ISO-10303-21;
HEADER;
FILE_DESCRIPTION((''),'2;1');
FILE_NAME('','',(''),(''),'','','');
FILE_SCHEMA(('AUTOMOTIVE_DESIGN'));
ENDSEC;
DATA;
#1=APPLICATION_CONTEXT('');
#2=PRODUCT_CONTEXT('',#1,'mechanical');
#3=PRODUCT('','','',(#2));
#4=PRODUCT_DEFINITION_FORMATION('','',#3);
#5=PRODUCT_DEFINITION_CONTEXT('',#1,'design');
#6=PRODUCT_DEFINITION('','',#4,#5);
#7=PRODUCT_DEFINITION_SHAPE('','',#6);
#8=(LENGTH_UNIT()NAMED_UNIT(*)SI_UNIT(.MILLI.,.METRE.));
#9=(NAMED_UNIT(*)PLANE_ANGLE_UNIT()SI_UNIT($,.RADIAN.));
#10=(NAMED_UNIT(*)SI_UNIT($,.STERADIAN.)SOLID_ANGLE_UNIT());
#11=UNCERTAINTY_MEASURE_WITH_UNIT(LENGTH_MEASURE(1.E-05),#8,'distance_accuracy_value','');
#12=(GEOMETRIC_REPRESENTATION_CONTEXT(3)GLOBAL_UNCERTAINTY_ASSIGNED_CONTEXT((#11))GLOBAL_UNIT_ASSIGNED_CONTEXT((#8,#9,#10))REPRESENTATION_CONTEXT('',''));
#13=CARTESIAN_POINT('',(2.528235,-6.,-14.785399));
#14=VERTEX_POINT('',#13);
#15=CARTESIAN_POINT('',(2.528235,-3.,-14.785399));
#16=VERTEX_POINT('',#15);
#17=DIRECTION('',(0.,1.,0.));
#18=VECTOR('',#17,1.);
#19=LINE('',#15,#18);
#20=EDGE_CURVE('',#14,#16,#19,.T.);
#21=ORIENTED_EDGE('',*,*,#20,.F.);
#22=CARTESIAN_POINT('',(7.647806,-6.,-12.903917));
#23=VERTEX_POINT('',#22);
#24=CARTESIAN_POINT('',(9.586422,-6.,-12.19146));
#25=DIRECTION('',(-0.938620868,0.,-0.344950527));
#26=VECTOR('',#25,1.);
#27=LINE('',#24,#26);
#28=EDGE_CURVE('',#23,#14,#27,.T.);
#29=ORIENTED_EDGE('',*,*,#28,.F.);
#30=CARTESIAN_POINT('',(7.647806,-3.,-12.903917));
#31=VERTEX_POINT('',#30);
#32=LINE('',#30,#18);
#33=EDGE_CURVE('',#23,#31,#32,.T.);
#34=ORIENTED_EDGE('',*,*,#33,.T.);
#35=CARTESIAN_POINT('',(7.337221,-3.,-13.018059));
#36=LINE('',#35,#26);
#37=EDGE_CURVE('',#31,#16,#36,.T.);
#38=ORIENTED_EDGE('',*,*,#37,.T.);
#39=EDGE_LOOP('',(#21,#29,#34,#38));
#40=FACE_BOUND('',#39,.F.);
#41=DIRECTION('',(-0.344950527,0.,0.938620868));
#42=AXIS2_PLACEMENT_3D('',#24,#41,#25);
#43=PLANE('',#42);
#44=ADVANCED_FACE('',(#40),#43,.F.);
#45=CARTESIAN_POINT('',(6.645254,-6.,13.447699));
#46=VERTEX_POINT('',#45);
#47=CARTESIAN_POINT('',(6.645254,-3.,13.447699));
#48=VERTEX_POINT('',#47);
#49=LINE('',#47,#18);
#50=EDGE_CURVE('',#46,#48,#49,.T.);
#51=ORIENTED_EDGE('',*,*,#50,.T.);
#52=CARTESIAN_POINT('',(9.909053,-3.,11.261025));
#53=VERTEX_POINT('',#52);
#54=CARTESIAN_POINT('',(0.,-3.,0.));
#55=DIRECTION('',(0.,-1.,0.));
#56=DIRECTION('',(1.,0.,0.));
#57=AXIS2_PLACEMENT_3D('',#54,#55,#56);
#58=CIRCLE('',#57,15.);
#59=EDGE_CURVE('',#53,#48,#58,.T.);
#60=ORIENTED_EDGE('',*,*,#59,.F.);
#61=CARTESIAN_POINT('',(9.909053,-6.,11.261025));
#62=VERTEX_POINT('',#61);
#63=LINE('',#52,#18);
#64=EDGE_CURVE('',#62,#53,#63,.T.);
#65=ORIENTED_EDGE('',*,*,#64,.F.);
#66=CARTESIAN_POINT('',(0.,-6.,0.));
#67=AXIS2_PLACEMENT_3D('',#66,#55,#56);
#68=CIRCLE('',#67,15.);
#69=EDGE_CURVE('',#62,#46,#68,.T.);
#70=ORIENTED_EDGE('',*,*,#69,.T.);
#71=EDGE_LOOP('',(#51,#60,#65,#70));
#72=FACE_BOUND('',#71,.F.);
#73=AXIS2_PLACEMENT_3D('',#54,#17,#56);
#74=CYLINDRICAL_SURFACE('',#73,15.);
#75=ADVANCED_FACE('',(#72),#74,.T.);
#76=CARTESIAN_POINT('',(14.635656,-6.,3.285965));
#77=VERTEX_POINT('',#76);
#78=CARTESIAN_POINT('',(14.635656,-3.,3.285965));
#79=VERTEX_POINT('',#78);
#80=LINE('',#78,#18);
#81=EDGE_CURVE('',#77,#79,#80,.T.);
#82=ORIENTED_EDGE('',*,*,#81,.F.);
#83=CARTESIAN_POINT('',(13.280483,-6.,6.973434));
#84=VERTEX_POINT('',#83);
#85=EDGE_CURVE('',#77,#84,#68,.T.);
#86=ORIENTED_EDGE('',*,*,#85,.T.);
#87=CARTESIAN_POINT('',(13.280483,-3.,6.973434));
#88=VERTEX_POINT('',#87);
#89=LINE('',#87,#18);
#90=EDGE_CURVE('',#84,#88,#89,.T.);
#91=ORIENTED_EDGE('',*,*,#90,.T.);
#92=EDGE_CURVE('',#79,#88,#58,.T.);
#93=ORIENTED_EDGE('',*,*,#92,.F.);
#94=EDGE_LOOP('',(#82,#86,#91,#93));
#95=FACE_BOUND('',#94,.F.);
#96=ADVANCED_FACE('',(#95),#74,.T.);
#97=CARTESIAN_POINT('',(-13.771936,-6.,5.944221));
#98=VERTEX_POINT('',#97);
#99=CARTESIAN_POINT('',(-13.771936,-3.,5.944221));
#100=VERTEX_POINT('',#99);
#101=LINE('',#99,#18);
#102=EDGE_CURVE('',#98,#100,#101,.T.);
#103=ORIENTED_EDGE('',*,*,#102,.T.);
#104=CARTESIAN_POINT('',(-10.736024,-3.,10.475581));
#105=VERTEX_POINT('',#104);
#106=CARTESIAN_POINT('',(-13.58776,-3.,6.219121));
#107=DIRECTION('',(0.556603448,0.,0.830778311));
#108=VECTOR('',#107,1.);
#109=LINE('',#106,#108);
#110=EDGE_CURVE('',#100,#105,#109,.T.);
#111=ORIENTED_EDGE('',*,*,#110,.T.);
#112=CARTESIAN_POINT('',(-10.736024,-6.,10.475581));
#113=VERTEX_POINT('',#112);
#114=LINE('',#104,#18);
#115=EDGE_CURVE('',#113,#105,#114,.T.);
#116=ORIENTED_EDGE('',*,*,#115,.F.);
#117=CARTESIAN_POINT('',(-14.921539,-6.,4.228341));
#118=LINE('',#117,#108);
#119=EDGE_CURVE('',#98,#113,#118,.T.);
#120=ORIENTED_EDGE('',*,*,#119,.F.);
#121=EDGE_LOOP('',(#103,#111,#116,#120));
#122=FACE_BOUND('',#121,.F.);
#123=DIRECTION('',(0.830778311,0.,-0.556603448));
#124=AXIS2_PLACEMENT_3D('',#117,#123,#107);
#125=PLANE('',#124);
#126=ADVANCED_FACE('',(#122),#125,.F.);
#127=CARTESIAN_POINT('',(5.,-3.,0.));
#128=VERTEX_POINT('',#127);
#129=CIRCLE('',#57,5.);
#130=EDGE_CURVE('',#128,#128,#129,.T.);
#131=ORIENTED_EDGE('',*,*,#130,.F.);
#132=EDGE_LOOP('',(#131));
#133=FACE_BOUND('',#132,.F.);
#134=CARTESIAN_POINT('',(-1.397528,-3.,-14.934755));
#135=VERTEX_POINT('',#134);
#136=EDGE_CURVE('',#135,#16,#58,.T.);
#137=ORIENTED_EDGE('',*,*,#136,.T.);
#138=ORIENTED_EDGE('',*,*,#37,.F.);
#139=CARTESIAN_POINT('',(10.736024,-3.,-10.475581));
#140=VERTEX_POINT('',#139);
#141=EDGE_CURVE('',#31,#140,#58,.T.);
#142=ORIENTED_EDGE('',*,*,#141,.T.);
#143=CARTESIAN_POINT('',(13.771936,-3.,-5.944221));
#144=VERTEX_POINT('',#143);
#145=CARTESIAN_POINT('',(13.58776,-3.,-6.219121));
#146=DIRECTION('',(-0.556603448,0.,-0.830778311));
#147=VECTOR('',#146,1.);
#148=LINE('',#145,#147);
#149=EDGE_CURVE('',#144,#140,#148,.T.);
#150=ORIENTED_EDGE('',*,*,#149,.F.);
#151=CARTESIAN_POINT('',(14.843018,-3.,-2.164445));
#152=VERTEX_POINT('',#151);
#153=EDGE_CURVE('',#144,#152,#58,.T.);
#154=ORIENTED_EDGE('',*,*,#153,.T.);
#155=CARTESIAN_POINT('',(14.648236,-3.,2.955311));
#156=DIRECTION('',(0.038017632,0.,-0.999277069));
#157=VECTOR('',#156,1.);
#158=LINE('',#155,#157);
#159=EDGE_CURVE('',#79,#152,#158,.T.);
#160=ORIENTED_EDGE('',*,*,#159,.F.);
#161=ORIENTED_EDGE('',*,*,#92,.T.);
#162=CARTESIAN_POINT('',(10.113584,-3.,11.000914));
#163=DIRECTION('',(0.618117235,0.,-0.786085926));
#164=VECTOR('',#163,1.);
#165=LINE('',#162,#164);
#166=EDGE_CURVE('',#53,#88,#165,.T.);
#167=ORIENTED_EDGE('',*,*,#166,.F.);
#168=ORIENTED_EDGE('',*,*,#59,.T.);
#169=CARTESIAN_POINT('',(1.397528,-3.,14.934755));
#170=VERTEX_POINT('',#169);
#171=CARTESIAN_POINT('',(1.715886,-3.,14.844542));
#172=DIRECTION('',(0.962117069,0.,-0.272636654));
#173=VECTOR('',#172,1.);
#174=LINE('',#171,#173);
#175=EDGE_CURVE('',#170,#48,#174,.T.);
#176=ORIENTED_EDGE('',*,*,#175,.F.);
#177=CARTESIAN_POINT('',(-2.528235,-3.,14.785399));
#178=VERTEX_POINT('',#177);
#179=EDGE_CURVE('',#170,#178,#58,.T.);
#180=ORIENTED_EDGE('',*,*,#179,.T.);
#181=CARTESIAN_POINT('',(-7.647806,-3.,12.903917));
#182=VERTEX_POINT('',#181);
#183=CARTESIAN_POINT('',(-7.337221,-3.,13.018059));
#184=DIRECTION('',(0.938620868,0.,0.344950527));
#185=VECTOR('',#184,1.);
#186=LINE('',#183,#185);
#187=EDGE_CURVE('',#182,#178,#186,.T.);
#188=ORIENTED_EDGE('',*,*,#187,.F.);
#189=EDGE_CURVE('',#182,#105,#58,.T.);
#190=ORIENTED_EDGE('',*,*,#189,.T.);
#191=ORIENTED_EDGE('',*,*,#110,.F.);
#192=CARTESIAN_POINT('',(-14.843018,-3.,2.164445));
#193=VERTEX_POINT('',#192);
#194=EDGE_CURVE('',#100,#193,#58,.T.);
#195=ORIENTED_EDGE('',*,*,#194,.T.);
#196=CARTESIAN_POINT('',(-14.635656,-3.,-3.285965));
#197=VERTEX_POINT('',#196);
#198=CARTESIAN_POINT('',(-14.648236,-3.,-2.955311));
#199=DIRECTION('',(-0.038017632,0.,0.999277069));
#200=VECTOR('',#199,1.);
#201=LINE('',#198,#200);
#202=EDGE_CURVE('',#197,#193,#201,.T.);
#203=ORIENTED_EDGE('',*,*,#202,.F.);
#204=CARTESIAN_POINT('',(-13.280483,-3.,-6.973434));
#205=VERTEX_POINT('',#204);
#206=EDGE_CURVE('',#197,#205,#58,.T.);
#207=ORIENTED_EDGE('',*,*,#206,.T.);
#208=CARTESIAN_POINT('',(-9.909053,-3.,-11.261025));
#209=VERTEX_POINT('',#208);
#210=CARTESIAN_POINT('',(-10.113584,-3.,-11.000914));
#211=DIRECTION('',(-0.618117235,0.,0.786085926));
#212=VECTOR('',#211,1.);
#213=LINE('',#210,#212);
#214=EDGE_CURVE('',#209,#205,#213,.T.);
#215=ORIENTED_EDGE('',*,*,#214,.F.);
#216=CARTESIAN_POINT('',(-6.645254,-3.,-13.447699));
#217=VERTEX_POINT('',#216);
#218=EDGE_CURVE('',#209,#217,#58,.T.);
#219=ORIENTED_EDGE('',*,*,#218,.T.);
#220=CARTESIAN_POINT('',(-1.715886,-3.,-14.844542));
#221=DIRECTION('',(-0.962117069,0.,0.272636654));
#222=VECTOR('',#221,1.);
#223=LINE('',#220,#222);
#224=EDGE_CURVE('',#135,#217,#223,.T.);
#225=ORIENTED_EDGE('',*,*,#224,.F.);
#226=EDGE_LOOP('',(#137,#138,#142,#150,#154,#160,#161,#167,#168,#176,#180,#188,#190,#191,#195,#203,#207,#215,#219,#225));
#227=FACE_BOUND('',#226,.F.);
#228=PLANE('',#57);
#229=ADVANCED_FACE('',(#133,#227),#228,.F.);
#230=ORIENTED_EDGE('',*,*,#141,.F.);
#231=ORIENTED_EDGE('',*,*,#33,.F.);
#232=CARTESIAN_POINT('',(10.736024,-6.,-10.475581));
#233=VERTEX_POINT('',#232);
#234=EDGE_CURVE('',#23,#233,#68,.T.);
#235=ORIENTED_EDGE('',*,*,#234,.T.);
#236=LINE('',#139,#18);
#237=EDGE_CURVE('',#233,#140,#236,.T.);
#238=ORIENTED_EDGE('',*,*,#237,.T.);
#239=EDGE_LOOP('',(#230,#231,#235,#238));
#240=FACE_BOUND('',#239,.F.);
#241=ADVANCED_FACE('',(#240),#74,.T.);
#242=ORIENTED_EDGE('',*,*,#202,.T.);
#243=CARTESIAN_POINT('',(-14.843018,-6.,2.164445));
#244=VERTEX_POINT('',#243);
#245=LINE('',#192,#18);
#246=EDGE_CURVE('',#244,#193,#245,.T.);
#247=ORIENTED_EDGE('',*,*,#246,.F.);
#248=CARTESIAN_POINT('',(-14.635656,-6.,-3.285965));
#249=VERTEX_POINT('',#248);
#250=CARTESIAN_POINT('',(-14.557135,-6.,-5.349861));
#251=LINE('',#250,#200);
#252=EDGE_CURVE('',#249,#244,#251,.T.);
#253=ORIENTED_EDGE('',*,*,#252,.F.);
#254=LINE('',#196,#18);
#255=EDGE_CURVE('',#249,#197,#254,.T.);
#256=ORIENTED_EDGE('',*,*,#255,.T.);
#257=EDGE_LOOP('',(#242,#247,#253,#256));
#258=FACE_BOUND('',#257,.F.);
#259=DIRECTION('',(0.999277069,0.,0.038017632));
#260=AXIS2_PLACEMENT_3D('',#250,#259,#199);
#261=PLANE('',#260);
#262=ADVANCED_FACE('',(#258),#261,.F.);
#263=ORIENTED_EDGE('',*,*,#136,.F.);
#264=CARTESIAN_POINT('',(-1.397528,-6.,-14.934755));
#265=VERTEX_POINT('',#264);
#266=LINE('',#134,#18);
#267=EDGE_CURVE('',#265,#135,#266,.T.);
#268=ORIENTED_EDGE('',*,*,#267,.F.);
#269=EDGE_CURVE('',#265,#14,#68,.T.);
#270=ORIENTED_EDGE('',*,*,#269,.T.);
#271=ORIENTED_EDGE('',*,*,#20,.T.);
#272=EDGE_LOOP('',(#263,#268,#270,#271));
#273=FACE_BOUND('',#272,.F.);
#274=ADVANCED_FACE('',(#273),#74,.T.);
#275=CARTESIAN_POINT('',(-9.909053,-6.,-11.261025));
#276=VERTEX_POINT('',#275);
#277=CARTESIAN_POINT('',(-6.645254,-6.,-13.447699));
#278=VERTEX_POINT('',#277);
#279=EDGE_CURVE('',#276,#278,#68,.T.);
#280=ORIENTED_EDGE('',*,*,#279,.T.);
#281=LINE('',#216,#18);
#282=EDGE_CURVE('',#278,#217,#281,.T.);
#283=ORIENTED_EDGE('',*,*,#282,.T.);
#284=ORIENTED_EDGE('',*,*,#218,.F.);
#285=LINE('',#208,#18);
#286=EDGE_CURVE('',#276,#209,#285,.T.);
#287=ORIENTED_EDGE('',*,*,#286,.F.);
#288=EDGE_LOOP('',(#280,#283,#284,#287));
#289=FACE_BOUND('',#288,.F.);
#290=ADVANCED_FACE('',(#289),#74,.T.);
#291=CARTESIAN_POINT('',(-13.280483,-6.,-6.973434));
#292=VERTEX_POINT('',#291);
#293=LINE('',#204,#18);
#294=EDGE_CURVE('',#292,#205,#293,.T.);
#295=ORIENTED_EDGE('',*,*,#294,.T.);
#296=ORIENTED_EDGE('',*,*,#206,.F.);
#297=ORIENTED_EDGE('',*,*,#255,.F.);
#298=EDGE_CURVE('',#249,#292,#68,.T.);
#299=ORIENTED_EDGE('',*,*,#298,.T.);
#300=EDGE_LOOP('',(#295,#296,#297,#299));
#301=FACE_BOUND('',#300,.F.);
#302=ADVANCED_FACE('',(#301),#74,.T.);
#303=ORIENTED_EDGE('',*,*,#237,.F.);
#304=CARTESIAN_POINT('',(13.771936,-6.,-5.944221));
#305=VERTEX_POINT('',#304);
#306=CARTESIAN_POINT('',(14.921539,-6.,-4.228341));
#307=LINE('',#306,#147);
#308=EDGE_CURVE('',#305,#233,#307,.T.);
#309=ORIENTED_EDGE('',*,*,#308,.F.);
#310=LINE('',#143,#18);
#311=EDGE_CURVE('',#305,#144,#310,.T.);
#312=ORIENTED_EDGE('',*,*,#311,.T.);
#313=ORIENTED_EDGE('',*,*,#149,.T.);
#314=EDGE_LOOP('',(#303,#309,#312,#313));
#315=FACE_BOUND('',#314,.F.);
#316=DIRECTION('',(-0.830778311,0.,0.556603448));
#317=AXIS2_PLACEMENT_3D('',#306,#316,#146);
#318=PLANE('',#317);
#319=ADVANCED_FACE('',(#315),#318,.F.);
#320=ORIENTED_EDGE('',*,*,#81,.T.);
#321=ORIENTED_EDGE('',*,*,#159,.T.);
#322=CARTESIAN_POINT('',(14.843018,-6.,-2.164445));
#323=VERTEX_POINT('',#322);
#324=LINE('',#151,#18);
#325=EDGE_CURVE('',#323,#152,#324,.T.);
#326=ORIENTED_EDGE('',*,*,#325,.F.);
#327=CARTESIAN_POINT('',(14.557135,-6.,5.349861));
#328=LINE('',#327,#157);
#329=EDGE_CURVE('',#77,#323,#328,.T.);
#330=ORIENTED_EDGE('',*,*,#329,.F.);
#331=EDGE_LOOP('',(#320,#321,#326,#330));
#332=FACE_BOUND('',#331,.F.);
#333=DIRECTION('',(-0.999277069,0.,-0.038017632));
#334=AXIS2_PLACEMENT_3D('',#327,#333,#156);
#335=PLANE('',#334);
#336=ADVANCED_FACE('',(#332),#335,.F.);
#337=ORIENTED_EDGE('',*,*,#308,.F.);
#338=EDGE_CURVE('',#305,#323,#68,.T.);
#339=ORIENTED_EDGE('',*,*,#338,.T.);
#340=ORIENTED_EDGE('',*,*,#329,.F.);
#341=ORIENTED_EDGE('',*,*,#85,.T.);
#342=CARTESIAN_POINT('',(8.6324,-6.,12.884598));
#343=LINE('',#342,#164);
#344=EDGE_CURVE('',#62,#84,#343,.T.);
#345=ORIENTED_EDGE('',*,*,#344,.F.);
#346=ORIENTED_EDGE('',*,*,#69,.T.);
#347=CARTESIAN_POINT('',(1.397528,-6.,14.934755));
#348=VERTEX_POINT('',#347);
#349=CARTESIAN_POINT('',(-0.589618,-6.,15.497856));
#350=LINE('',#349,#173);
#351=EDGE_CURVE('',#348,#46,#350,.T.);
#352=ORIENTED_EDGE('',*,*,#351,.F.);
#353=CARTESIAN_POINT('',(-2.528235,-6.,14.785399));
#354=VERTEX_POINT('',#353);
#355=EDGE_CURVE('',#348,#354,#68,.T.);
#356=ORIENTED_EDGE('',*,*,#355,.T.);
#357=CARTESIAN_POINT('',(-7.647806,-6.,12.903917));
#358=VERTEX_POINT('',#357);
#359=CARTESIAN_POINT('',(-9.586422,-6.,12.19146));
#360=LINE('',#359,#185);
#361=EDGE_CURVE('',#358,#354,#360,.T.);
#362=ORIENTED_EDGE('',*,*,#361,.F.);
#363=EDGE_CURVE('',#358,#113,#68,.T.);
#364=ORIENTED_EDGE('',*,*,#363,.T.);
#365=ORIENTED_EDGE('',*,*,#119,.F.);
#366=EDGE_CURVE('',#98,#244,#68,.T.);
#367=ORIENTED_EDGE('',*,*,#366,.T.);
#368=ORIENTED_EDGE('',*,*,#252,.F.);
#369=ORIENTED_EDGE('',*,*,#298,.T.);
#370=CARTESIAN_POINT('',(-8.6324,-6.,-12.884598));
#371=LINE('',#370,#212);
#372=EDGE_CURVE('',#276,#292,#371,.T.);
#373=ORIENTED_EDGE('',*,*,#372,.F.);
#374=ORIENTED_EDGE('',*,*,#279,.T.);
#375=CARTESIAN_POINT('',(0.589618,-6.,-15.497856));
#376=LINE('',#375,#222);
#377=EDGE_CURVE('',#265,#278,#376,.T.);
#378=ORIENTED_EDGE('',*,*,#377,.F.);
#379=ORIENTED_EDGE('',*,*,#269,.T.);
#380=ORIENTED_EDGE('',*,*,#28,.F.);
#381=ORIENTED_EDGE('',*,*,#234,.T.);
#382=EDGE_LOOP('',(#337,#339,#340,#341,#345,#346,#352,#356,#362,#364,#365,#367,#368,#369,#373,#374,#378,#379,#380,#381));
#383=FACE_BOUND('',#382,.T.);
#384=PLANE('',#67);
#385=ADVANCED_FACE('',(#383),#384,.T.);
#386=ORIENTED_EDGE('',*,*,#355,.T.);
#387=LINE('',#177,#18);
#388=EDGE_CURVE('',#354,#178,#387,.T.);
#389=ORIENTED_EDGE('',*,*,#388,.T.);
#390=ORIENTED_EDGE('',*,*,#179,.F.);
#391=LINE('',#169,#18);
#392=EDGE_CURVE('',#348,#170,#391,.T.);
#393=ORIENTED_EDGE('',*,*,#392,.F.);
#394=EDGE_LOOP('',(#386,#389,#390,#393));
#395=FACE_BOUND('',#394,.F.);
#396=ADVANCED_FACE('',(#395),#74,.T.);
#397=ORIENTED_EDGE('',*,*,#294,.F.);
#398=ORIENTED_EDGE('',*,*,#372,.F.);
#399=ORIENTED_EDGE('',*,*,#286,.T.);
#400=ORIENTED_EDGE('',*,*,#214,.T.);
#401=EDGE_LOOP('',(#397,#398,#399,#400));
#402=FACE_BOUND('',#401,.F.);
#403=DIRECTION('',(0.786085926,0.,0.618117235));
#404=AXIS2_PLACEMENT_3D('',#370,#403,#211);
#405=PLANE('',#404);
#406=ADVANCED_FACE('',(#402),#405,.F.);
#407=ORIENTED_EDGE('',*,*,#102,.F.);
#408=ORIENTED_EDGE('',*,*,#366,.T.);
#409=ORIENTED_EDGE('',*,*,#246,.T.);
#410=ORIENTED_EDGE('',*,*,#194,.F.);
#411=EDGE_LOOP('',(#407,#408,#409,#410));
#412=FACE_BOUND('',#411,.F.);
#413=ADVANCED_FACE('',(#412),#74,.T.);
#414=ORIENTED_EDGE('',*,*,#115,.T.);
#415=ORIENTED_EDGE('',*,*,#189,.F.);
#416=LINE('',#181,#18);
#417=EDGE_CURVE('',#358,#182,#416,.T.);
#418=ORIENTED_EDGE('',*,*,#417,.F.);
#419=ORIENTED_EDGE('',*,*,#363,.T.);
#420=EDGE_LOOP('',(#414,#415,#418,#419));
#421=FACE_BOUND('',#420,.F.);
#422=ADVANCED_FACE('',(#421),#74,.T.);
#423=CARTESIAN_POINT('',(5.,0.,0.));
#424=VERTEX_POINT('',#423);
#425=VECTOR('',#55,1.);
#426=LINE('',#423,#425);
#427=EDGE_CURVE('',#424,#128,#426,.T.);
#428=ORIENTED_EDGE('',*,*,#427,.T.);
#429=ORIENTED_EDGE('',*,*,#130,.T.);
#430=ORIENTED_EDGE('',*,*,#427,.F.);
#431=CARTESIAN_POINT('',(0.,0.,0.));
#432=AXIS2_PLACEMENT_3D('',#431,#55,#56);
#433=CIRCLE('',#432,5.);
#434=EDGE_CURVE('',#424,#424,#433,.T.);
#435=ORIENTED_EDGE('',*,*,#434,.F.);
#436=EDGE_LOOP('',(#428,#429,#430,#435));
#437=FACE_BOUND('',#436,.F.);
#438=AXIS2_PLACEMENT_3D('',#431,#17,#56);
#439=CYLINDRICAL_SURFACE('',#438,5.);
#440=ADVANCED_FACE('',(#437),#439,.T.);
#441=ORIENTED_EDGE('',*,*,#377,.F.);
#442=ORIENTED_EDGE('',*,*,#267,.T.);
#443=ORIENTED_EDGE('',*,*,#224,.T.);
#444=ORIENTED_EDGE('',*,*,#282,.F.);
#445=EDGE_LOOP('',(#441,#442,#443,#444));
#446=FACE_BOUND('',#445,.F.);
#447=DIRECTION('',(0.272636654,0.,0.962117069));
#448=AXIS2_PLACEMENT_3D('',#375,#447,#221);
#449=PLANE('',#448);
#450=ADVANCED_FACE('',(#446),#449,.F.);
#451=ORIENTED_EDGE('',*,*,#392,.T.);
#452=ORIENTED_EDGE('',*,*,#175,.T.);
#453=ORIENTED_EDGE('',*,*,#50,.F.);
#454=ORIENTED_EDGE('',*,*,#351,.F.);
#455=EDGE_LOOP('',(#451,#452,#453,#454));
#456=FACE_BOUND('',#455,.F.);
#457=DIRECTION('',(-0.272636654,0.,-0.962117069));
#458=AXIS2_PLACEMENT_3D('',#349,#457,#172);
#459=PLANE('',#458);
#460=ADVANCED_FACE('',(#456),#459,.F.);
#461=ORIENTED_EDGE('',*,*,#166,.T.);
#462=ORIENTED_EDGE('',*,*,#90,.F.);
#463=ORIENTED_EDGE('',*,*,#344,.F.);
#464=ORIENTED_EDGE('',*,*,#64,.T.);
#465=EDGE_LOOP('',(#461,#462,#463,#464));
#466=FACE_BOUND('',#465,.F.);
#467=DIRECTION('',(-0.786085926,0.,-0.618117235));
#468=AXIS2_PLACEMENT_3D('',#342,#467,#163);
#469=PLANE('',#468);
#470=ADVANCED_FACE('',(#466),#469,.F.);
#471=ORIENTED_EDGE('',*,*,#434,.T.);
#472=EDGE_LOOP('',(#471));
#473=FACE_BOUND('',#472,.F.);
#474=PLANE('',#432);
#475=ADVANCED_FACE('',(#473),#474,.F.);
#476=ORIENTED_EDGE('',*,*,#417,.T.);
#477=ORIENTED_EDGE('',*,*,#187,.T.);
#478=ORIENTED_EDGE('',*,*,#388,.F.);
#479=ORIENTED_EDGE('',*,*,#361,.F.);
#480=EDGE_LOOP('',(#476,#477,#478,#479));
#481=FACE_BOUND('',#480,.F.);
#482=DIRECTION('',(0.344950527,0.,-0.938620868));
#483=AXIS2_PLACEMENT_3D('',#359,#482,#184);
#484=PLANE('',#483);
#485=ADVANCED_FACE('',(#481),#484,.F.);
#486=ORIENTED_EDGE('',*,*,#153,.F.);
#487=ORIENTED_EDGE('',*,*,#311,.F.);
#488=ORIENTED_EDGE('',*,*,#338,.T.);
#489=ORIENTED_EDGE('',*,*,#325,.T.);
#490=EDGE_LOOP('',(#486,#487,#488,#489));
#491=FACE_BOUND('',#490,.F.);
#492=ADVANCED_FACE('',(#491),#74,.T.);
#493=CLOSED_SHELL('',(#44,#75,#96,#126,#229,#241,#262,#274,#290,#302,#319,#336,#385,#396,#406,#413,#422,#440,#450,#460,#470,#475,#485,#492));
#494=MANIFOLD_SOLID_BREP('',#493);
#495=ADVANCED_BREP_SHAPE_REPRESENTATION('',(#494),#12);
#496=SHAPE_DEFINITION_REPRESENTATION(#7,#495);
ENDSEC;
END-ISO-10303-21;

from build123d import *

# Parameters (mm, degrees)
F0_R     = 5
F1_DEPTH = 3
F2_R     = 15
F3_DEPTH = 3
F4_R     = 17.221585
F5_DEPTH = 25


with BuildPart() as f1:
    # F0 (on Front) → F1 (new body)
    with BuildSketch(Plane.XZ):
        Circle(F0_R)
    extrude(amount=F1_DEPTH)

    # F2 (on face) → F3 (join)
    with BuildSketch(Plane.XZ.offset(3)):
        Circle(F2_R)
    extrude(amount=F3_DEPTH)

    # F4 (on face) → F5 (cut)
    with BuildSketch(Plane.XZ.offset(6)):
        Circle(F4_R)
        Polygon((-9.586422, 12.19146), (-0.589618, 15.497856), (8.6324, 12.884598), (14.557135, 5.349861), (14.921539, -4.228341), (9.586422, -12.19146), (0.589618, -15.497856), (-8.6324, -12.884598), (-14.557135, -5.349861), (-14.921539, 4.228341), align=None, mode=Mode.SUBTRACT)
    extrude(amount=-F5_DEPTH, mode=Mode.SUBTRACT)


solid = f1.part
